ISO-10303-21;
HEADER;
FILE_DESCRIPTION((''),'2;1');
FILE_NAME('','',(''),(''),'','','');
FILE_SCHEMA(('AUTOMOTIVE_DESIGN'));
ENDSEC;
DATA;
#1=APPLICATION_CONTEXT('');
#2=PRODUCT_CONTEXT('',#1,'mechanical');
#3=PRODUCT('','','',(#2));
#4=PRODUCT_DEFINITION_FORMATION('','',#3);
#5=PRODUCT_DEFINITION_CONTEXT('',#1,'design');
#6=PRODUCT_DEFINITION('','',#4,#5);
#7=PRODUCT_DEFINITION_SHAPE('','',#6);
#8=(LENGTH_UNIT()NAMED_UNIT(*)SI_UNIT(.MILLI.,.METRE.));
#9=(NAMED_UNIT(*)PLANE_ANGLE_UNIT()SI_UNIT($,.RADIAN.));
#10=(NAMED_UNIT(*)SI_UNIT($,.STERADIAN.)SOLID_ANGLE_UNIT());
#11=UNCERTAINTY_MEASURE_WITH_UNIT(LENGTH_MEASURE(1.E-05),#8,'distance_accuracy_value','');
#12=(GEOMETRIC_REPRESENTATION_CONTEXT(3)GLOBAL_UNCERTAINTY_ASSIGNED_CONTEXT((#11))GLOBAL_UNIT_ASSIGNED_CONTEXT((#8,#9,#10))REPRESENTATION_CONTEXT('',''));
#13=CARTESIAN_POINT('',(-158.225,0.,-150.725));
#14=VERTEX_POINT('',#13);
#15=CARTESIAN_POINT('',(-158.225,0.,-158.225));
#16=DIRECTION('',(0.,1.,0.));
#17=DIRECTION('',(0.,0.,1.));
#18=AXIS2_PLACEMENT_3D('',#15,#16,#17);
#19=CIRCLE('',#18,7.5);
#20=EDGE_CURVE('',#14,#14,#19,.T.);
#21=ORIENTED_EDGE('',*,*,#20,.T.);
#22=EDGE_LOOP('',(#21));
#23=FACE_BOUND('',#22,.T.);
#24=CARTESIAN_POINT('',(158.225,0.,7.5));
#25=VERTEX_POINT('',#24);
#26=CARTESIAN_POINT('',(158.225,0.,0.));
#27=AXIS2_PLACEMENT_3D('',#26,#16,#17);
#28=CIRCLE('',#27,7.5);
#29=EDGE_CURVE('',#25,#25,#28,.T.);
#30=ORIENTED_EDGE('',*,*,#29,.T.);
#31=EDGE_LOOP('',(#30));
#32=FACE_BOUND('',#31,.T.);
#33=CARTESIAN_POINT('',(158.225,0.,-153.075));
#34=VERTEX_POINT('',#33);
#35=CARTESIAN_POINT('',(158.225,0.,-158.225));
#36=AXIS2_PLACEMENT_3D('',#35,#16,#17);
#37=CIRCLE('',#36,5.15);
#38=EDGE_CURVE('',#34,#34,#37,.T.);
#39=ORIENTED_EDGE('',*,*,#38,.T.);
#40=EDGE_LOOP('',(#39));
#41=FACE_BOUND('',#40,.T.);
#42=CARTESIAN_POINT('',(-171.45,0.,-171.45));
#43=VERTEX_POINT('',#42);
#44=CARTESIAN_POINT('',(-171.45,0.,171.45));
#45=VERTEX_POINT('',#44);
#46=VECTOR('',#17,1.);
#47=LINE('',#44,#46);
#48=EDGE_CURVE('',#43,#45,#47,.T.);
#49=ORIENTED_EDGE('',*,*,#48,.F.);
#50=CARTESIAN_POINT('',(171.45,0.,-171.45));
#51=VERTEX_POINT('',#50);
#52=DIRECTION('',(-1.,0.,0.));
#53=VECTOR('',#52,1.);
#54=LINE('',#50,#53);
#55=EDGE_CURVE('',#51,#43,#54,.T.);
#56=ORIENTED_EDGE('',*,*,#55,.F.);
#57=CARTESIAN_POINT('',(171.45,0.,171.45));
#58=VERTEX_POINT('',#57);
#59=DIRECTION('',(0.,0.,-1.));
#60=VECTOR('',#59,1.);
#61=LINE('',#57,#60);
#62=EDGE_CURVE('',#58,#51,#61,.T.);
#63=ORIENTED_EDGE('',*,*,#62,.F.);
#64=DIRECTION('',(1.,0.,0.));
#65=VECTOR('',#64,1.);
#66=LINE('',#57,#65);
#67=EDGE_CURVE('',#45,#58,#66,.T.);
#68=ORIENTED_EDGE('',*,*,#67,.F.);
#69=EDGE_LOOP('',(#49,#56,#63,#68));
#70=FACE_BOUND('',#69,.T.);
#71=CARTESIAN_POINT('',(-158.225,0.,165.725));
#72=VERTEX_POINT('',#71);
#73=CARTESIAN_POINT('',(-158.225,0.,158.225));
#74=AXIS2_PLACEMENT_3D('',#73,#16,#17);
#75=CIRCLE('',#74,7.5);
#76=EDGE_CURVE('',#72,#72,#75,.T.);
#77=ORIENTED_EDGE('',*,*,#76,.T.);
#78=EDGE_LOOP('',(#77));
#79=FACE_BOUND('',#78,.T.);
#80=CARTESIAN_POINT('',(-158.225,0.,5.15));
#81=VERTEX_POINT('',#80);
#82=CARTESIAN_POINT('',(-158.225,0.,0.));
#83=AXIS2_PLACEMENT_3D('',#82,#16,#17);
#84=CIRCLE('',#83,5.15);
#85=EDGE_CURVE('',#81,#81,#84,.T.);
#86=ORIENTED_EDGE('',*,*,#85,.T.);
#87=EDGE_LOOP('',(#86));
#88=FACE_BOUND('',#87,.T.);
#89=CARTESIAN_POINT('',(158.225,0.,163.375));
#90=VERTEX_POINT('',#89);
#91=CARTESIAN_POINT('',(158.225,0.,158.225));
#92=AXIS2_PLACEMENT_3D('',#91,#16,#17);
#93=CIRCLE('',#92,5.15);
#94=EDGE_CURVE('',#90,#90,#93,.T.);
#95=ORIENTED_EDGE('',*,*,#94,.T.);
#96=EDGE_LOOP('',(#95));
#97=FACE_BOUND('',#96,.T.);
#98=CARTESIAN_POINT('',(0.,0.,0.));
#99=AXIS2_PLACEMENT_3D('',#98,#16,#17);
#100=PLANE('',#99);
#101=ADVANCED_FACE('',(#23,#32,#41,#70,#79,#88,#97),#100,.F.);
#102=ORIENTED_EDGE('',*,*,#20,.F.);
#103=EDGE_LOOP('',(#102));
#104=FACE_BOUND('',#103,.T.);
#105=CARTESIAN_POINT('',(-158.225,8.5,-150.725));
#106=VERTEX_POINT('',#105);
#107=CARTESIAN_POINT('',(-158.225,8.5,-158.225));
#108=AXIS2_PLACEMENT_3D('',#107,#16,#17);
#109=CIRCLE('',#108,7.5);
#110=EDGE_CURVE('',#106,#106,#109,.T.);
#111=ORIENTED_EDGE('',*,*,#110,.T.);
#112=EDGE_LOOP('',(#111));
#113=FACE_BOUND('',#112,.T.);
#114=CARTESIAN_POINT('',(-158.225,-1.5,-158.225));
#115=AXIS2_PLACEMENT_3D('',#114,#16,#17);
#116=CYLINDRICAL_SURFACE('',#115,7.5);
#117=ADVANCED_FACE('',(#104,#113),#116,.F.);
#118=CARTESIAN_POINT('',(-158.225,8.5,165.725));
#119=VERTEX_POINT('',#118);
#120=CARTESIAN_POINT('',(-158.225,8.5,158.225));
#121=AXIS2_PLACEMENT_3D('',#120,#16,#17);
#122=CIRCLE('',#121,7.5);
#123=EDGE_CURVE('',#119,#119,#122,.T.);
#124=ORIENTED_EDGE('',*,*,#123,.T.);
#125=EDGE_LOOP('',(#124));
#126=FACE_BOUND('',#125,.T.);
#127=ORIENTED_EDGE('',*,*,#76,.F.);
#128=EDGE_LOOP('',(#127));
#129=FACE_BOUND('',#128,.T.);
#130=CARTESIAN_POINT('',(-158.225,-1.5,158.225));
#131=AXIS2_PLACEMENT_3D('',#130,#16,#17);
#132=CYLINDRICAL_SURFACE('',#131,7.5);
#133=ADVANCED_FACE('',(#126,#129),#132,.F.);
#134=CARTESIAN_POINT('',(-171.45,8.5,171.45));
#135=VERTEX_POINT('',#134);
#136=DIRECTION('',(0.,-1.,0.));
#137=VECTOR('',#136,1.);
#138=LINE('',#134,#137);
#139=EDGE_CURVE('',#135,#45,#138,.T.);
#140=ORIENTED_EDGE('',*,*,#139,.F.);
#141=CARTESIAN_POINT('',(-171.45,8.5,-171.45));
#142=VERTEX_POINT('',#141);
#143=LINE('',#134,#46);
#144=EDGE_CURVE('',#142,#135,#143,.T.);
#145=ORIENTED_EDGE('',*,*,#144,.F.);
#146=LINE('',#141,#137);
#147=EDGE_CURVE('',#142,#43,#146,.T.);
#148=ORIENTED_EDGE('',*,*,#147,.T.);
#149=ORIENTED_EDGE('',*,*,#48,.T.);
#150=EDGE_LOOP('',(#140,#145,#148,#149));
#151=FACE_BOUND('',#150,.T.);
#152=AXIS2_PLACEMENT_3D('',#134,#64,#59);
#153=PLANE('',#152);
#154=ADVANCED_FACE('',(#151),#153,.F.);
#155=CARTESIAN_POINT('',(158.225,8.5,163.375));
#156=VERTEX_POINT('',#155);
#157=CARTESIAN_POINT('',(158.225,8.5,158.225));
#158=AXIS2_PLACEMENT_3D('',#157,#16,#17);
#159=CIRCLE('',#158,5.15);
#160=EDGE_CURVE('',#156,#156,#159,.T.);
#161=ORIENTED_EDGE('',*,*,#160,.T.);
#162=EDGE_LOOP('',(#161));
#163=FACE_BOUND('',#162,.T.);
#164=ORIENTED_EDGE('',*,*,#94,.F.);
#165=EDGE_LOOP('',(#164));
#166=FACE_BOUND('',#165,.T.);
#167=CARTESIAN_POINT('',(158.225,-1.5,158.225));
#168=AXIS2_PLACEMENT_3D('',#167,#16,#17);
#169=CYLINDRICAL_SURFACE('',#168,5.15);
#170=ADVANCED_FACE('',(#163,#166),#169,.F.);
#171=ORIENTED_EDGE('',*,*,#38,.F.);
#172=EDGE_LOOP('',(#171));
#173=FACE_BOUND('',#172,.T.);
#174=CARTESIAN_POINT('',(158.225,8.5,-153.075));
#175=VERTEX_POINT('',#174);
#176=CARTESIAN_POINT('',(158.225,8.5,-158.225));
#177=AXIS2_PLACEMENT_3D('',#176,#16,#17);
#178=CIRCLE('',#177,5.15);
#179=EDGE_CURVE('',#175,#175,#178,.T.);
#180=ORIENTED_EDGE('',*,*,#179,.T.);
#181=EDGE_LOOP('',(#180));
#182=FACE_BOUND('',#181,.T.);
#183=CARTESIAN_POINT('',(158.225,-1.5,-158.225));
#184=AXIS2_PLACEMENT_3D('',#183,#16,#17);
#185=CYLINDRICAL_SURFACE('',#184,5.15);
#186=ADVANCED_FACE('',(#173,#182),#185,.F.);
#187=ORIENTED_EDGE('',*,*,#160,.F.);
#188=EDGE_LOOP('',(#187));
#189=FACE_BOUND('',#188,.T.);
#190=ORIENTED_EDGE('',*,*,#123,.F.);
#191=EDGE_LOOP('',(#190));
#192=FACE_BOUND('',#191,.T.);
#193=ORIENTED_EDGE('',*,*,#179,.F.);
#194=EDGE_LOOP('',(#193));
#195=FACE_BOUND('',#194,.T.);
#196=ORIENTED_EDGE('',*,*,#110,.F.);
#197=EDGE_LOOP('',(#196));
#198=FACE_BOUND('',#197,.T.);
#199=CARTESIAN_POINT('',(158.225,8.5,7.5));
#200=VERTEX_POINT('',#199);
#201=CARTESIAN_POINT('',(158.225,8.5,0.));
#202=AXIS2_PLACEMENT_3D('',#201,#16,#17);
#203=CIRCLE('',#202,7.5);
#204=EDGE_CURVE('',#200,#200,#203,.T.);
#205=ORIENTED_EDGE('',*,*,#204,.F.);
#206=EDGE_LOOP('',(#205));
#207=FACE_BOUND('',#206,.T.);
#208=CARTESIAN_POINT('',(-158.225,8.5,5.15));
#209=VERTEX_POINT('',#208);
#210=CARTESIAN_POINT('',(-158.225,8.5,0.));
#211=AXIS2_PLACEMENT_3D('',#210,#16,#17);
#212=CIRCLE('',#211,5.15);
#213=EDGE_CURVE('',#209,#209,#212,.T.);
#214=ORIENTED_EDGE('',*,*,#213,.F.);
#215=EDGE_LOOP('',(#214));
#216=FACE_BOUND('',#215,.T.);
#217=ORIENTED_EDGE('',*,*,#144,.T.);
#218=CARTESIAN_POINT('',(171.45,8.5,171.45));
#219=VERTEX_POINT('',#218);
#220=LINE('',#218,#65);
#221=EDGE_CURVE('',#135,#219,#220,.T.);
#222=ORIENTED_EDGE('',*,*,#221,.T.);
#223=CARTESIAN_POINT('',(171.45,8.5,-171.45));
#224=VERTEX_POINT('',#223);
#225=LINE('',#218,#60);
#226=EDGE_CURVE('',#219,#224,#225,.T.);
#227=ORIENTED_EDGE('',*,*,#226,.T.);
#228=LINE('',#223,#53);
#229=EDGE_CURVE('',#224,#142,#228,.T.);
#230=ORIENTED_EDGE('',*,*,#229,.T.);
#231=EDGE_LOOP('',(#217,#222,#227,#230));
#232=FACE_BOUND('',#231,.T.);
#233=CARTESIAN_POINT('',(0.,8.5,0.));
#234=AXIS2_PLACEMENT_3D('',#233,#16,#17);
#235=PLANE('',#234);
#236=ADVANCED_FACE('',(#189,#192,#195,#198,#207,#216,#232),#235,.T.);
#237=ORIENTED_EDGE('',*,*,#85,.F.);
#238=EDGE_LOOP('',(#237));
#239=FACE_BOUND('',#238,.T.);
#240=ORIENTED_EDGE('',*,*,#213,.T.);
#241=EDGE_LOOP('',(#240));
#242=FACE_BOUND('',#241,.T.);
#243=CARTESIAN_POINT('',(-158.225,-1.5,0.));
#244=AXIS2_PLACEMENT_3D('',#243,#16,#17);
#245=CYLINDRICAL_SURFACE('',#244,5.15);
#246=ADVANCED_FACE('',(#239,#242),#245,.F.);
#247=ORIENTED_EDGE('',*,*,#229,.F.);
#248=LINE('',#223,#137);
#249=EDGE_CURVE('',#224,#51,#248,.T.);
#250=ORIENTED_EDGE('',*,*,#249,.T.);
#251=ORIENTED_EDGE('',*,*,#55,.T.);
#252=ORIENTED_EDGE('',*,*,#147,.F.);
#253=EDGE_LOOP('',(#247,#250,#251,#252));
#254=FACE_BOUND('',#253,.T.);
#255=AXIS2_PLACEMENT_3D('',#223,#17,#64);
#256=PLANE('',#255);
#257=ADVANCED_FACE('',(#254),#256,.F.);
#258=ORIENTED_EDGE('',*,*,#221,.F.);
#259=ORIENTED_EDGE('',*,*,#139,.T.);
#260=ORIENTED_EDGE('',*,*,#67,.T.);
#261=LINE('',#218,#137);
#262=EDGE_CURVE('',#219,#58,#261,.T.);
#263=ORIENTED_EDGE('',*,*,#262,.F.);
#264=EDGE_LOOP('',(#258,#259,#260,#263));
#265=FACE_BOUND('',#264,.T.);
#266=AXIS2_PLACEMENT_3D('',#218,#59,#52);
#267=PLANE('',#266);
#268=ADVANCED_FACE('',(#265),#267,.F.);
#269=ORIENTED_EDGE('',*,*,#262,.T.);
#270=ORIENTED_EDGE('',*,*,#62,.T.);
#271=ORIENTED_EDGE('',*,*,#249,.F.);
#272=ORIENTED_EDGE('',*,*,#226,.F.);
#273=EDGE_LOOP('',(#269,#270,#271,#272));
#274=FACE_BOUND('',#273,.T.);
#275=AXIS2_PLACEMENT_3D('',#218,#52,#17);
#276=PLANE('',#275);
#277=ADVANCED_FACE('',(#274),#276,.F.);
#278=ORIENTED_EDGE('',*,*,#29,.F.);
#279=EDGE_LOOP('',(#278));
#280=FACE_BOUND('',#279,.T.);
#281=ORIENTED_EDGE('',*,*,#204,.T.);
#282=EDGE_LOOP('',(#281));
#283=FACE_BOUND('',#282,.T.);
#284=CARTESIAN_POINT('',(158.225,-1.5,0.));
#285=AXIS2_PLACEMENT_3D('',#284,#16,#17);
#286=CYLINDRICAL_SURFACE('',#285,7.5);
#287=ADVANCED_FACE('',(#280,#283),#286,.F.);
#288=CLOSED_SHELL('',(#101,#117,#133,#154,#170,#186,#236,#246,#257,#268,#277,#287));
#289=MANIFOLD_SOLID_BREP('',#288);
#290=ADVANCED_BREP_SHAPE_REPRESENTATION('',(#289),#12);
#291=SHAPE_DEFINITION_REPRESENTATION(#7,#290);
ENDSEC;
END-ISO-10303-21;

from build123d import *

# Parameters (mm, degrees)
SKETCH1_W           = 342.9
SKETCH1_H           = 342.9
BOSS_EXTRUDE1_DEPTH = 8.5
SKETCH2_R           = 4
CUT_EXTRUDE1_DEPTH  = 243.615858921
SKETCH3_R           = 7.5
SKETCH3_R_2         = 5.15
CUT_EXTRUDE3_DEPTH  = 10


with BuildPart() as part:
    # Sketch1 → Boss-Extrude1 (new body)
    with BuildSketch(Plane(origin=(0, 0, 0), x_dir=(1, 0, 0), z_dir=(0, 1, 0))):
        Rectangle(SKETCH1_W, SKETCH1_H)
    extrude(amount=BOSS_EXTRUDE1_DEPTH)

    # Sketch2 → Cut-Extrude1 (cut, through all)
    with BuildSketch(Plane(origin=(0, 8.5, 0), x_dir=(1, 0, 0), z_dir=(0, 1, 0))):
        with Locations(Location((-158.225, 158.225, 0), (0, 0, 270))):
            Circle(SKETCH2_R)
        with Locations(Location((-158.225, 0, 0), (0, 0, 270))):
            Circle(SKETCH2_R)
        with Locations(Location((-158.225, -158.225, 0), (0, 0, 270))):
            Circle(SKETCH2_R)
        with Locations(Location((158.225, 158.225, 0), (0, 0, 270))):
            Circle(SKETCH2_R)
        with Locations(Location((158.225, 0, 0), (0, 0, 270))):
            Circle(SKETCH2_R)
        with Locations(Location((158.225, -158.225, 0), (0, 0, 270))):
            Circle(SKETCH2_R)
    extrude(amount=-CUT_EXTRUDE1_DEPTH, mode=Mode.SUBTRACT)

    # Sketch3 → Cut-Extrude3 (cut)
    with BuildSketch(Plane(origin=(0, 8.5, 0), x_dir=(1, 0, 0), z_dir=(0, 1, 0))):
        with Locations(Location((-158.225, 158.225, 0), (0, 0, 270))):
            Circle(SKETCH3_R)
        with Locations(Location((-158.225, -158.225, 0), (0, 0, 270))):
            Circle(SKETCH3_R)
        with Locations(Location((-158.225, 0, 0), (0, 0, 270))):
            Circle(SKETCH3_R_2)
        with Locations(Location((158.225, 0, 0), (0, 0, 270))):
            Circle(SKETCH3_R)
        with Locations(Location((158.225, 158.225, 0), (0, 0, 270))):
            Circle(SKETCH3_R_2)
        with Locations(Location((158.225, -158.225, 0), (0, 0, 270))):
            Circle(SKETCH3_R_2)
    extrude(amount=-CUT_EXTRUDE3_DEPTH, mode=Mode.SUBTRACT)


solid = part.part
